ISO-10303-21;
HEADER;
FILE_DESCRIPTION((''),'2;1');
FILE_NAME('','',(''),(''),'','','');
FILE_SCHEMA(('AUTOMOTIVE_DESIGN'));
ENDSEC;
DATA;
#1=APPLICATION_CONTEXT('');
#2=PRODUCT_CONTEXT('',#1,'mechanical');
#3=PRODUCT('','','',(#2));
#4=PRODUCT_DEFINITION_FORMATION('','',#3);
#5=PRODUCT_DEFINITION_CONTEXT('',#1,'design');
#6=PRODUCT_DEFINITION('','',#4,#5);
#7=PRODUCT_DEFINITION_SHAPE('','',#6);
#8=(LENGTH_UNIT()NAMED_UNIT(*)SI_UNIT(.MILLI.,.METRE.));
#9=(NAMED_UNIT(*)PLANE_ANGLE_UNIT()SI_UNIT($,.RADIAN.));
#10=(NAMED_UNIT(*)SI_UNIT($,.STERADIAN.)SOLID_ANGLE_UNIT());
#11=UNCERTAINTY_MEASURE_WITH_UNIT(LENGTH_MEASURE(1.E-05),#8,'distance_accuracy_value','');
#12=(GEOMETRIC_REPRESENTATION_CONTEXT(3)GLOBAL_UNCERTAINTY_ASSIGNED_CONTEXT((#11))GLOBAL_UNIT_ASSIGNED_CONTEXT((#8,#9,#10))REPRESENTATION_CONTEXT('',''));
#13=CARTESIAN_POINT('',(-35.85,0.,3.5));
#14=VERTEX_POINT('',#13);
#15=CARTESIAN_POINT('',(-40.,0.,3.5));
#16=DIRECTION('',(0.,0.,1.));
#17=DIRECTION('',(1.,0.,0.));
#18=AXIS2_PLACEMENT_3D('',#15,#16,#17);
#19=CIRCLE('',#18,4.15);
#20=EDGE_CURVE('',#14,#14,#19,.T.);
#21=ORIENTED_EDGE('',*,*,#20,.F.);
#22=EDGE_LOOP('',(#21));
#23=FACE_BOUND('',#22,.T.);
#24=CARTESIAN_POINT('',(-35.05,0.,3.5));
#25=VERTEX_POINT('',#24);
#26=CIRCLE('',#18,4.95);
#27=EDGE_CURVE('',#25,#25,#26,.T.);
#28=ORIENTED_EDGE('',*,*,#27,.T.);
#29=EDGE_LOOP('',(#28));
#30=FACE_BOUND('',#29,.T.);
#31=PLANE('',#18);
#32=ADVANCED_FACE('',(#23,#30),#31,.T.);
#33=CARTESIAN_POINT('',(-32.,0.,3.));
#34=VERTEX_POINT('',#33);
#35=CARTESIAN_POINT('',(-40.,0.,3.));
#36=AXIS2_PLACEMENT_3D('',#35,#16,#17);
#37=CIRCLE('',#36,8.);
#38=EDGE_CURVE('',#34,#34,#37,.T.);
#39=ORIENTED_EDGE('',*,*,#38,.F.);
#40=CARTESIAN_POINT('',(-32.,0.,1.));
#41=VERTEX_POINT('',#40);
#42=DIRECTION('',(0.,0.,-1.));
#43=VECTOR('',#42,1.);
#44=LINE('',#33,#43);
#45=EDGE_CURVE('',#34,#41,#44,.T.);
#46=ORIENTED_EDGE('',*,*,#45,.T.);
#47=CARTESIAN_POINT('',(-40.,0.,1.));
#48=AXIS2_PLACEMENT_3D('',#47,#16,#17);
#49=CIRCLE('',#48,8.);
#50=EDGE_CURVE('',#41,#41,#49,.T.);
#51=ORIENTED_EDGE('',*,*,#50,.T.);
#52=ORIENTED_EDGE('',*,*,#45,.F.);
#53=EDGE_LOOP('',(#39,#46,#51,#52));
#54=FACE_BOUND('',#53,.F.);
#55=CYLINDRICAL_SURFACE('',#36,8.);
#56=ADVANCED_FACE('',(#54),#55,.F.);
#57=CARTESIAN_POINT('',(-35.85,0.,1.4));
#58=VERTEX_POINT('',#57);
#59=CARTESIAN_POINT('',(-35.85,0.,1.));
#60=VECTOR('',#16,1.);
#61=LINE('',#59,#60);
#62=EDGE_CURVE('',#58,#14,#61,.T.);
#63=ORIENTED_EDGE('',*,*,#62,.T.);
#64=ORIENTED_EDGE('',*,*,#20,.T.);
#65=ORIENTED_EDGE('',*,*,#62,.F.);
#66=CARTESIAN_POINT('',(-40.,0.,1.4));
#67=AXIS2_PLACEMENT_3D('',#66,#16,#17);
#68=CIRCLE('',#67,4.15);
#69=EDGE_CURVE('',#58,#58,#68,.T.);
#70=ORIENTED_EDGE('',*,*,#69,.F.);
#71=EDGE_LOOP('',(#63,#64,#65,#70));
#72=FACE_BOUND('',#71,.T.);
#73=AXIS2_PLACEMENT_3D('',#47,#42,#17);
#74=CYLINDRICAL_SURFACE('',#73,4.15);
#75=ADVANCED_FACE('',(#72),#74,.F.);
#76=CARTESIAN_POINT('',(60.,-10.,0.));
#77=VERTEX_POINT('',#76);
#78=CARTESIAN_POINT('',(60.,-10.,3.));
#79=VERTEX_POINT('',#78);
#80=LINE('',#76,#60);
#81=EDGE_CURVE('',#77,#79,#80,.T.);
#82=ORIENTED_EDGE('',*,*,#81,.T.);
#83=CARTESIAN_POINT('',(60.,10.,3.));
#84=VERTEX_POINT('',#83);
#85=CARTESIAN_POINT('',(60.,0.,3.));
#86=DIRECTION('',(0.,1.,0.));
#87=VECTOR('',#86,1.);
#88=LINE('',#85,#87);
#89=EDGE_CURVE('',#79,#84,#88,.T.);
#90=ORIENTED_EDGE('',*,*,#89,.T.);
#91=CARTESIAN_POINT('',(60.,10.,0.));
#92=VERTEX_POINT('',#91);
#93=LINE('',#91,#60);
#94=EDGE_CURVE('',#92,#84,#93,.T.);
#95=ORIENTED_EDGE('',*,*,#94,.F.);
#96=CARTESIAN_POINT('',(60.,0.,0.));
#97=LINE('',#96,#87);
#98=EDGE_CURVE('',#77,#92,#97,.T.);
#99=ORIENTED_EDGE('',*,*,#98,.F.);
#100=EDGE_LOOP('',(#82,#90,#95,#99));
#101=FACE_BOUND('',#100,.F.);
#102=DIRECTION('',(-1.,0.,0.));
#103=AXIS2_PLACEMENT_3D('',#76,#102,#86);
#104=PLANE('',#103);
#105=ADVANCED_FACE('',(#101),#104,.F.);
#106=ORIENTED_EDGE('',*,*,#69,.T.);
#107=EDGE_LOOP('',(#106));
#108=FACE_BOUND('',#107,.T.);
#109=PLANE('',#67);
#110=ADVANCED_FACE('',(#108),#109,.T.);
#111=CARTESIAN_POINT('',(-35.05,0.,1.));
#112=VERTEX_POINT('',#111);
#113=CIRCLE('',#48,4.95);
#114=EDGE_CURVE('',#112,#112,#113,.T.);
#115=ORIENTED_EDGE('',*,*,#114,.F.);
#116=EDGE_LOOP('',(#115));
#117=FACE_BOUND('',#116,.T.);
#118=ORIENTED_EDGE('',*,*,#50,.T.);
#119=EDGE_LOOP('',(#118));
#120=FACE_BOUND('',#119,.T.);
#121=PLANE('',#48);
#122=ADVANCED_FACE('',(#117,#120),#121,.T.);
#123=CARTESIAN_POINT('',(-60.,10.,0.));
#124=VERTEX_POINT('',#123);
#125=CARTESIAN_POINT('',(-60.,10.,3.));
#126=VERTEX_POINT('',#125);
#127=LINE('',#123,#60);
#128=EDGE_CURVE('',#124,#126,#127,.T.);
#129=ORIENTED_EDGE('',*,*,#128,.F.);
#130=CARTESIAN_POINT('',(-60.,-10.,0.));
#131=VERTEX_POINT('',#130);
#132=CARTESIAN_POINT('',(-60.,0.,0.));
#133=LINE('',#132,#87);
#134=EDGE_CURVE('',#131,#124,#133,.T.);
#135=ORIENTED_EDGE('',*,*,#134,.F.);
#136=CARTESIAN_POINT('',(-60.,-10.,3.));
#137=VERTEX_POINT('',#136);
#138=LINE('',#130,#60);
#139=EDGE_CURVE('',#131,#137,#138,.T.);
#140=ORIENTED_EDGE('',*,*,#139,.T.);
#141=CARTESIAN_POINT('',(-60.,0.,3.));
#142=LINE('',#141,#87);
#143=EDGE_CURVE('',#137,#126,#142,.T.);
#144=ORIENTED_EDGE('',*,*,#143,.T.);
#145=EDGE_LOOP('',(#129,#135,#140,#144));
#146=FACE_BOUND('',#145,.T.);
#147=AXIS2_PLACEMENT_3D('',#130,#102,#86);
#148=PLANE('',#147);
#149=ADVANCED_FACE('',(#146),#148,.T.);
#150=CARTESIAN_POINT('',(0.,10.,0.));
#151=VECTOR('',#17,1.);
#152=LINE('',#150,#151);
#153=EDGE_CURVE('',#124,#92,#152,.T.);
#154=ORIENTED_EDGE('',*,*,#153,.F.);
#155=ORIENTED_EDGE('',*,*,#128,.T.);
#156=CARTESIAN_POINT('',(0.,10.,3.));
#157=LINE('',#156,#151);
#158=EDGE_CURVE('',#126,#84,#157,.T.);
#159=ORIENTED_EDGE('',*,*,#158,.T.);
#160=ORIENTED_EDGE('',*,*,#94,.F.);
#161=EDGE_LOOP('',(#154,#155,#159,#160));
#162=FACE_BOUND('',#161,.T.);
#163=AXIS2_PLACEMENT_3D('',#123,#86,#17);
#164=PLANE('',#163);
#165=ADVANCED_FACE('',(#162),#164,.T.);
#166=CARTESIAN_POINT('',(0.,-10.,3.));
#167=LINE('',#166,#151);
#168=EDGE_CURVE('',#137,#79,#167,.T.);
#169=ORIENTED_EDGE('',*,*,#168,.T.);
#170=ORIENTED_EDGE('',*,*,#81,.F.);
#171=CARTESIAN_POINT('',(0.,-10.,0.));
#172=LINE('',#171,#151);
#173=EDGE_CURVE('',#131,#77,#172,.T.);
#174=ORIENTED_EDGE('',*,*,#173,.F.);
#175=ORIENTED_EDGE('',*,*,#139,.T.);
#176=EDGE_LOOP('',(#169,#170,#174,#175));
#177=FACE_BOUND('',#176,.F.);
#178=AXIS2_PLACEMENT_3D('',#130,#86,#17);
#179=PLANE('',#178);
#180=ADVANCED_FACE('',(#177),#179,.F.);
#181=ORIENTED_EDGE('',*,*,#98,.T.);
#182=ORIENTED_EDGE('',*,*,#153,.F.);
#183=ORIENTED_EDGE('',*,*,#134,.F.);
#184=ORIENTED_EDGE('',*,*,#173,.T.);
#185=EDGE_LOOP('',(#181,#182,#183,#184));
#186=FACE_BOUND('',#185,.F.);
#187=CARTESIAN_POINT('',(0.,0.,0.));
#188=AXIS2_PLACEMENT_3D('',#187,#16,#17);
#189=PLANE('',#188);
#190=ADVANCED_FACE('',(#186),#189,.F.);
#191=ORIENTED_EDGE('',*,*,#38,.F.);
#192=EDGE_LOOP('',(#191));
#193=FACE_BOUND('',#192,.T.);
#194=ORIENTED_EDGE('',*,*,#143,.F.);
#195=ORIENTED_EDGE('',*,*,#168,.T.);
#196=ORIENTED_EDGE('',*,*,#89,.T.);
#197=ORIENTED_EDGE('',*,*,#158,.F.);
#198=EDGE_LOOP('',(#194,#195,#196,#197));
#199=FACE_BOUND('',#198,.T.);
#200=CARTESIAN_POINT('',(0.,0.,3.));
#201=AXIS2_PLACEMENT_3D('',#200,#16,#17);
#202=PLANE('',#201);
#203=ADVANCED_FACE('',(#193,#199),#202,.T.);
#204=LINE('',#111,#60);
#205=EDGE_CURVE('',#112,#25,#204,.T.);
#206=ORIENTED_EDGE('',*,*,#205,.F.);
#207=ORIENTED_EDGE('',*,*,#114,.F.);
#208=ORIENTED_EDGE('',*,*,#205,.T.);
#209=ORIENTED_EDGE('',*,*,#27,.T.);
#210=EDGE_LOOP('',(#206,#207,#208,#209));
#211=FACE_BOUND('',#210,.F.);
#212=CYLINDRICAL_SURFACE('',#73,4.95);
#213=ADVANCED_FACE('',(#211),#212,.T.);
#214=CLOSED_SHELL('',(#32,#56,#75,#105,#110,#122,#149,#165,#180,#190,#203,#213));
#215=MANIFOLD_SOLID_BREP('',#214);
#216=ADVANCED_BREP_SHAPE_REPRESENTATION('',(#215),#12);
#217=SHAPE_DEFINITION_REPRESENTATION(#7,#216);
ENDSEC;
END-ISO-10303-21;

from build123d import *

# Parameters (mm, degrees)
F0_W      = 120
F0_H      = 20
F1_DEPTH  = 3
F2_R      = 8
F3_DEPTH  = 2
F4_R      = 4.95
F4_R_2    = 4.15
F5_DEPTH  = 2.5
F5_FACE_R = 4.15
F6_DEPTH  = 0.4


with BuildPart() as f1:
    # F0 (on Top) → F1 (new body)
    with BuildSketch(Plane.XY):
        Rectangle(F0_W, F0_H)
    extrude(amount=F1_DEPTH)

    # F2 (on face) → F3 (cut)
    with BuildSketch(Plane.XY.offset(3)):
        with Locations((-40, 0)):
            Circle(F2_R)
    extrude(amount=-F3_DEPTH, mode=Mode.SUBTRACT)

    # F4 (on face) → F5 (join)
    with BuildSketch(Plane.XY.offset(1)):
        with Locations((-40, 0)):
            Circle(F4_R)
        with Locations((-40, 0)):
            Circle(F4_R_2, mode=Mode.SUBTRACT)
    extrude(amount=F5_DEPTH)

    # F5_face (on face) → F6 (join)
    with BuildSketch(Plane(origin=(-40, 0, 1), x_dir=(1, 0, 0), z_dir=(0, 0, 1))):
        Circle(F5_FACE_R)
    extrude(amount=F6_DEPTH)


solid = f1.part
